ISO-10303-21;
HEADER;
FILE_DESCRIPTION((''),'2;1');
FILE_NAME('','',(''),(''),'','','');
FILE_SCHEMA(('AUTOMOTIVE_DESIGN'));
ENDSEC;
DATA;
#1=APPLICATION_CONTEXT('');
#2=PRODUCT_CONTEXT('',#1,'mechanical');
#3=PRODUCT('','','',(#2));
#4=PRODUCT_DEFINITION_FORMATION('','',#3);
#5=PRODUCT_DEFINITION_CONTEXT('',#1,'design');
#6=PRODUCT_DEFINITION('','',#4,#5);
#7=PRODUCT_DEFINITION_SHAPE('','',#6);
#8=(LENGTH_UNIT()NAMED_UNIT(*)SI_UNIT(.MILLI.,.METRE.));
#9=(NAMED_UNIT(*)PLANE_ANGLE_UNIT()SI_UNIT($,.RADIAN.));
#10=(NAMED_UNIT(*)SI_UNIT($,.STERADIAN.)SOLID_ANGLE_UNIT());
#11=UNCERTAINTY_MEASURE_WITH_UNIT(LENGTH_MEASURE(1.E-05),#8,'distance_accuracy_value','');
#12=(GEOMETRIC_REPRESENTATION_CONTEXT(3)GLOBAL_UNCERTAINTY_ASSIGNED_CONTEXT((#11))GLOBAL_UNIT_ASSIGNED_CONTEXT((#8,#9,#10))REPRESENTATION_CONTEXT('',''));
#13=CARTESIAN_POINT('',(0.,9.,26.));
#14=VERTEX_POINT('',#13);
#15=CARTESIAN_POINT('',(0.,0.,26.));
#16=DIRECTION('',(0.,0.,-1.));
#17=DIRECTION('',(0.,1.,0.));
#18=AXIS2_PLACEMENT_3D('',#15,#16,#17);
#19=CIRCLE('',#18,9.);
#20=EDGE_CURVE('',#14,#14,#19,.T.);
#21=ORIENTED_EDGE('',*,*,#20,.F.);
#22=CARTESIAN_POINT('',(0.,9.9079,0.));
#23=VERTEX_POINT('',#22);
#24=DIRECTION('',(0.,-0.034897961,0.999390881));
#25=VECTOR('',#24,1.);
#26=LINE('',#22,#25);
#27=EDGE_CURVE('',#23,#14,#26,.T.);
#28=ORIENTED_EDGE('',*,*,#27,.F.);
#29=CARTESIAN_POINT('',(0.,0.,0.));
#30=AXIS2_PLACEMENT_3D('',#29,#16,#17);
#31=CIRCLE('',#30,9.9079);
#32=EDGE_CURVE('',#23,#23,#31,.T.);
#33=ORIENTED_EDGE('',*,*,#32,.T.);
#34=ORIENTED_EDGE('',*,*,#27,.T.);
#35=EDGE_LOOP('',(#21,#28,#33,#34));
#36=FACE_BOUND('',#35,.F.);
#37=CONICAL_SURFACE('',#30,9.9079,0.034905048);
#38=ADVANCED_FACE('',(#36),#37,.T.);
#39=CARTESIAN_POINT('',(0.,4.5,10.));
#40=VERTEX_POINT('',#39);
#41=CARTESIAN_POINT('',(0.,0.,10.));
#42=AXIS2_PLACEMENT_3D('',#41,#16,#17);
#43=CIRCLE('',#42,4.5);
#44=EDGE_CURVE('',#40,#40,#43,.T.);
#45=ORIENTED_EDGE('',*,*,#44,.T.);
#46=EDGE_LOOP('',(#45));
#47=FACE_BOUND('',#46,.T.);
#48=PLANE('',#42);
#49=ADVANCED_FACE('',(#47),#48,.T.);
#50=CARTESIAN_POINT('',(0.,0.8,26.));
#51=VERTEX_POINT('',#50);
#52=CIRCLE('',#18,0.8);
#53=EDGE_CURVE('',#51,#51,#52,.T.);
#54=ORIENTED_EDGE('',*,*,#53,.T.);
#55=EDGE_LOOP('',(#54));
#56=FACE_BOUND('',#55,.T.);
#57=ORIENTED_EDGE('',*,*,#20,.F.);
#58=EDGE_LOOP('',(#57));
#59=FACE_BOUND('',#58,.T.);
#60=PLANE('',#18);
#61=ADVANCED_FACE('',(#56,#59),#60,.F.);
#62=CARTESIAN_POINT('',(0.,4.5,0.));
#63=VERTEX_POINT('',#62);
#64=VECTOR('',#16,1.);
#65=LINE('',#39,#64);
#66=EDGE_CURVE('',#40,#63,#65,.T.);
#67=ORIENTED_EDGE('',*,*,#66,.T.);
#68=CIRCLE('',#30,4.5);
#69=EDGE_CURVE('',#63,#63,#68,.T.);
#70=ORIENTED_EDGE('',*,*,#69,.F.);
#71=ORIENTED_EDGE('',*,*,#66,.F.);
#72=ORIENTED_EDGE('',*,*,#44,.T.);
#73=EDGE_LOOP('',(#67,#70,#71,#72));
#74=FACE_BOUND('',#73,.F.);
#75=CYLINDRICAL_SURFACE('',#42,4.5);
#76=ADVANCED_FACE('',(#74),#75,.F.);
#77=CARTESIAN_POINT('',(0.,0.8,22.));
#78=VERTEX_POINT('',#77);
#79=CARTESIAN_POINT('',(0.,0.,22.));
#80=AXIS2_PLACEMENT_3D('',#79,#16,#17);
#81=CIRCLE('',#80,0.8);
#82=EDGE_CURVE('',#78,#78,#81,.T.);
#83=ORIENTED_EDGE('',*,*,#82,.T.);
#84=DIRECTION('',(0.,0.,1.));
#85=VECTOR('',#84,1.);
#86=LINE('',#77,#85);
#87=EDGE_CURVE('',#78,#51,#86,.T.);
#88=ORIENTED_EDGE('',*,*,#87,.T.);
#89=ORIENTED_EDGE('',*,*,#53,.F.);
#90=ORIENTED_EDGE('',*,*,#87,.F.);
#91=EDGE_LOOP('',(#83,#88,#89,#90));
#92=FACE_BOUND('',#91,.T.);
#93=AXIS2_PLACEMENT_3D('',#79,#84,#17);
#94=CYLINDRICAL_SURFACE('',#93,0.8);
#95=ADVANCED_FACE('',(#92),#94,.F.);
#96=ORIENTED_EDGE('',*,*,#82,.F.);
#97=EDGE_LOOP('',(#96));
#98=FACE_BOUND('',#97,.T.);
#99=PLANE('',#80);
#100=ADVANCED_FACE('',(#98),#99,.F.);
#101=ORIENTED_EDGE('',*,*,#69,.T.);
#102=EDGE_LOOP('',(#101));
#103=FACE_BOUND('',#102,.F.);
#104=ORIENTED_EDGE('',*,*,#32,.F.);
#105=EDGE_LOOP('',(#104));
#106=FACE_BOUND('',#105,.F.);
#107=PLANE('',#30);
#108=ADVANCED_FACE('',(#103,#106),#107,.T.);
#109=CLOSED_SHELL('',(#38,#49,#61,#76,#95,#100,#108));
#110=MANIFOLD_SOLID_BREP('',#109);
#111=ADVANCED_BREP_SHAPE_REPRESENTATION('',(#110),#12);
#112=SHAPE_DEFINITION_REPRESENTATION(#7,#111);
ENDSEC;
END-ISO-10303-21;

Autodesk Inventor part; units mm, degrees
ref_plane "YZ Plane" through (0, 0, 0) normal (1, 0, 0) x (0, 1, 0)
ref_plane "XZ Plane" through (0, 0, 0) normal (0, 1, 0) x (-1, 0, 0)
ref_plane "XY Plane" through (0, 0, 0) normal (0, 0, 1) x (1, 0, 0)
sketch "Sketch1" plane through (0, 0, 0) normal (1, 0, 0) x (0, 1, 0)
  line L0 (0, 26) -> (9, 26) construction
  arc A0 (9.9079, 0) -> (9, 26) centre (-27.2904, 11.7169) ccw construction
  line L1 (0, 22) -> (0, 0) construction
  line L2 (9, 26) -> (2.4961, 26) construction
  line L3 (9.9079, 0) -> (4.5, 0) construction
  line L4 (4.5, 10) -> (0, 10)
  line L5 (4.5, 10) -> (4.5, 0)
  line L6 (0, 22) -> (0, 10)
  line L7 (9.9079, 0) -> (9, 26) construction
  line L8 (4.5, 0) -> (9.9079, 0)
  line L9 (9.9079, 0) -> (9, 26)
  line L10 (0, 22) -> (0.8, 22)
  line L11 (0.8, 22) -> (0.8, 26)
  line L12 (0.8, 26) -> (9, 26)
  dimension "d0" = 9
  dimension "d5" = 4.5
  dimension "d11" = 10
  dimension "d12" = 26
  dimension "d13" = 92
  dimension "d21" = 4
  dimension "d22" = 0.8
  dimension "d29" = 9.9079
revolve "Revolution1" add sketch "Sketch1" angle 360 about axis through (0, 0, 22) along (0, 0, -1)
properties part number "brush fitting parta v5"
